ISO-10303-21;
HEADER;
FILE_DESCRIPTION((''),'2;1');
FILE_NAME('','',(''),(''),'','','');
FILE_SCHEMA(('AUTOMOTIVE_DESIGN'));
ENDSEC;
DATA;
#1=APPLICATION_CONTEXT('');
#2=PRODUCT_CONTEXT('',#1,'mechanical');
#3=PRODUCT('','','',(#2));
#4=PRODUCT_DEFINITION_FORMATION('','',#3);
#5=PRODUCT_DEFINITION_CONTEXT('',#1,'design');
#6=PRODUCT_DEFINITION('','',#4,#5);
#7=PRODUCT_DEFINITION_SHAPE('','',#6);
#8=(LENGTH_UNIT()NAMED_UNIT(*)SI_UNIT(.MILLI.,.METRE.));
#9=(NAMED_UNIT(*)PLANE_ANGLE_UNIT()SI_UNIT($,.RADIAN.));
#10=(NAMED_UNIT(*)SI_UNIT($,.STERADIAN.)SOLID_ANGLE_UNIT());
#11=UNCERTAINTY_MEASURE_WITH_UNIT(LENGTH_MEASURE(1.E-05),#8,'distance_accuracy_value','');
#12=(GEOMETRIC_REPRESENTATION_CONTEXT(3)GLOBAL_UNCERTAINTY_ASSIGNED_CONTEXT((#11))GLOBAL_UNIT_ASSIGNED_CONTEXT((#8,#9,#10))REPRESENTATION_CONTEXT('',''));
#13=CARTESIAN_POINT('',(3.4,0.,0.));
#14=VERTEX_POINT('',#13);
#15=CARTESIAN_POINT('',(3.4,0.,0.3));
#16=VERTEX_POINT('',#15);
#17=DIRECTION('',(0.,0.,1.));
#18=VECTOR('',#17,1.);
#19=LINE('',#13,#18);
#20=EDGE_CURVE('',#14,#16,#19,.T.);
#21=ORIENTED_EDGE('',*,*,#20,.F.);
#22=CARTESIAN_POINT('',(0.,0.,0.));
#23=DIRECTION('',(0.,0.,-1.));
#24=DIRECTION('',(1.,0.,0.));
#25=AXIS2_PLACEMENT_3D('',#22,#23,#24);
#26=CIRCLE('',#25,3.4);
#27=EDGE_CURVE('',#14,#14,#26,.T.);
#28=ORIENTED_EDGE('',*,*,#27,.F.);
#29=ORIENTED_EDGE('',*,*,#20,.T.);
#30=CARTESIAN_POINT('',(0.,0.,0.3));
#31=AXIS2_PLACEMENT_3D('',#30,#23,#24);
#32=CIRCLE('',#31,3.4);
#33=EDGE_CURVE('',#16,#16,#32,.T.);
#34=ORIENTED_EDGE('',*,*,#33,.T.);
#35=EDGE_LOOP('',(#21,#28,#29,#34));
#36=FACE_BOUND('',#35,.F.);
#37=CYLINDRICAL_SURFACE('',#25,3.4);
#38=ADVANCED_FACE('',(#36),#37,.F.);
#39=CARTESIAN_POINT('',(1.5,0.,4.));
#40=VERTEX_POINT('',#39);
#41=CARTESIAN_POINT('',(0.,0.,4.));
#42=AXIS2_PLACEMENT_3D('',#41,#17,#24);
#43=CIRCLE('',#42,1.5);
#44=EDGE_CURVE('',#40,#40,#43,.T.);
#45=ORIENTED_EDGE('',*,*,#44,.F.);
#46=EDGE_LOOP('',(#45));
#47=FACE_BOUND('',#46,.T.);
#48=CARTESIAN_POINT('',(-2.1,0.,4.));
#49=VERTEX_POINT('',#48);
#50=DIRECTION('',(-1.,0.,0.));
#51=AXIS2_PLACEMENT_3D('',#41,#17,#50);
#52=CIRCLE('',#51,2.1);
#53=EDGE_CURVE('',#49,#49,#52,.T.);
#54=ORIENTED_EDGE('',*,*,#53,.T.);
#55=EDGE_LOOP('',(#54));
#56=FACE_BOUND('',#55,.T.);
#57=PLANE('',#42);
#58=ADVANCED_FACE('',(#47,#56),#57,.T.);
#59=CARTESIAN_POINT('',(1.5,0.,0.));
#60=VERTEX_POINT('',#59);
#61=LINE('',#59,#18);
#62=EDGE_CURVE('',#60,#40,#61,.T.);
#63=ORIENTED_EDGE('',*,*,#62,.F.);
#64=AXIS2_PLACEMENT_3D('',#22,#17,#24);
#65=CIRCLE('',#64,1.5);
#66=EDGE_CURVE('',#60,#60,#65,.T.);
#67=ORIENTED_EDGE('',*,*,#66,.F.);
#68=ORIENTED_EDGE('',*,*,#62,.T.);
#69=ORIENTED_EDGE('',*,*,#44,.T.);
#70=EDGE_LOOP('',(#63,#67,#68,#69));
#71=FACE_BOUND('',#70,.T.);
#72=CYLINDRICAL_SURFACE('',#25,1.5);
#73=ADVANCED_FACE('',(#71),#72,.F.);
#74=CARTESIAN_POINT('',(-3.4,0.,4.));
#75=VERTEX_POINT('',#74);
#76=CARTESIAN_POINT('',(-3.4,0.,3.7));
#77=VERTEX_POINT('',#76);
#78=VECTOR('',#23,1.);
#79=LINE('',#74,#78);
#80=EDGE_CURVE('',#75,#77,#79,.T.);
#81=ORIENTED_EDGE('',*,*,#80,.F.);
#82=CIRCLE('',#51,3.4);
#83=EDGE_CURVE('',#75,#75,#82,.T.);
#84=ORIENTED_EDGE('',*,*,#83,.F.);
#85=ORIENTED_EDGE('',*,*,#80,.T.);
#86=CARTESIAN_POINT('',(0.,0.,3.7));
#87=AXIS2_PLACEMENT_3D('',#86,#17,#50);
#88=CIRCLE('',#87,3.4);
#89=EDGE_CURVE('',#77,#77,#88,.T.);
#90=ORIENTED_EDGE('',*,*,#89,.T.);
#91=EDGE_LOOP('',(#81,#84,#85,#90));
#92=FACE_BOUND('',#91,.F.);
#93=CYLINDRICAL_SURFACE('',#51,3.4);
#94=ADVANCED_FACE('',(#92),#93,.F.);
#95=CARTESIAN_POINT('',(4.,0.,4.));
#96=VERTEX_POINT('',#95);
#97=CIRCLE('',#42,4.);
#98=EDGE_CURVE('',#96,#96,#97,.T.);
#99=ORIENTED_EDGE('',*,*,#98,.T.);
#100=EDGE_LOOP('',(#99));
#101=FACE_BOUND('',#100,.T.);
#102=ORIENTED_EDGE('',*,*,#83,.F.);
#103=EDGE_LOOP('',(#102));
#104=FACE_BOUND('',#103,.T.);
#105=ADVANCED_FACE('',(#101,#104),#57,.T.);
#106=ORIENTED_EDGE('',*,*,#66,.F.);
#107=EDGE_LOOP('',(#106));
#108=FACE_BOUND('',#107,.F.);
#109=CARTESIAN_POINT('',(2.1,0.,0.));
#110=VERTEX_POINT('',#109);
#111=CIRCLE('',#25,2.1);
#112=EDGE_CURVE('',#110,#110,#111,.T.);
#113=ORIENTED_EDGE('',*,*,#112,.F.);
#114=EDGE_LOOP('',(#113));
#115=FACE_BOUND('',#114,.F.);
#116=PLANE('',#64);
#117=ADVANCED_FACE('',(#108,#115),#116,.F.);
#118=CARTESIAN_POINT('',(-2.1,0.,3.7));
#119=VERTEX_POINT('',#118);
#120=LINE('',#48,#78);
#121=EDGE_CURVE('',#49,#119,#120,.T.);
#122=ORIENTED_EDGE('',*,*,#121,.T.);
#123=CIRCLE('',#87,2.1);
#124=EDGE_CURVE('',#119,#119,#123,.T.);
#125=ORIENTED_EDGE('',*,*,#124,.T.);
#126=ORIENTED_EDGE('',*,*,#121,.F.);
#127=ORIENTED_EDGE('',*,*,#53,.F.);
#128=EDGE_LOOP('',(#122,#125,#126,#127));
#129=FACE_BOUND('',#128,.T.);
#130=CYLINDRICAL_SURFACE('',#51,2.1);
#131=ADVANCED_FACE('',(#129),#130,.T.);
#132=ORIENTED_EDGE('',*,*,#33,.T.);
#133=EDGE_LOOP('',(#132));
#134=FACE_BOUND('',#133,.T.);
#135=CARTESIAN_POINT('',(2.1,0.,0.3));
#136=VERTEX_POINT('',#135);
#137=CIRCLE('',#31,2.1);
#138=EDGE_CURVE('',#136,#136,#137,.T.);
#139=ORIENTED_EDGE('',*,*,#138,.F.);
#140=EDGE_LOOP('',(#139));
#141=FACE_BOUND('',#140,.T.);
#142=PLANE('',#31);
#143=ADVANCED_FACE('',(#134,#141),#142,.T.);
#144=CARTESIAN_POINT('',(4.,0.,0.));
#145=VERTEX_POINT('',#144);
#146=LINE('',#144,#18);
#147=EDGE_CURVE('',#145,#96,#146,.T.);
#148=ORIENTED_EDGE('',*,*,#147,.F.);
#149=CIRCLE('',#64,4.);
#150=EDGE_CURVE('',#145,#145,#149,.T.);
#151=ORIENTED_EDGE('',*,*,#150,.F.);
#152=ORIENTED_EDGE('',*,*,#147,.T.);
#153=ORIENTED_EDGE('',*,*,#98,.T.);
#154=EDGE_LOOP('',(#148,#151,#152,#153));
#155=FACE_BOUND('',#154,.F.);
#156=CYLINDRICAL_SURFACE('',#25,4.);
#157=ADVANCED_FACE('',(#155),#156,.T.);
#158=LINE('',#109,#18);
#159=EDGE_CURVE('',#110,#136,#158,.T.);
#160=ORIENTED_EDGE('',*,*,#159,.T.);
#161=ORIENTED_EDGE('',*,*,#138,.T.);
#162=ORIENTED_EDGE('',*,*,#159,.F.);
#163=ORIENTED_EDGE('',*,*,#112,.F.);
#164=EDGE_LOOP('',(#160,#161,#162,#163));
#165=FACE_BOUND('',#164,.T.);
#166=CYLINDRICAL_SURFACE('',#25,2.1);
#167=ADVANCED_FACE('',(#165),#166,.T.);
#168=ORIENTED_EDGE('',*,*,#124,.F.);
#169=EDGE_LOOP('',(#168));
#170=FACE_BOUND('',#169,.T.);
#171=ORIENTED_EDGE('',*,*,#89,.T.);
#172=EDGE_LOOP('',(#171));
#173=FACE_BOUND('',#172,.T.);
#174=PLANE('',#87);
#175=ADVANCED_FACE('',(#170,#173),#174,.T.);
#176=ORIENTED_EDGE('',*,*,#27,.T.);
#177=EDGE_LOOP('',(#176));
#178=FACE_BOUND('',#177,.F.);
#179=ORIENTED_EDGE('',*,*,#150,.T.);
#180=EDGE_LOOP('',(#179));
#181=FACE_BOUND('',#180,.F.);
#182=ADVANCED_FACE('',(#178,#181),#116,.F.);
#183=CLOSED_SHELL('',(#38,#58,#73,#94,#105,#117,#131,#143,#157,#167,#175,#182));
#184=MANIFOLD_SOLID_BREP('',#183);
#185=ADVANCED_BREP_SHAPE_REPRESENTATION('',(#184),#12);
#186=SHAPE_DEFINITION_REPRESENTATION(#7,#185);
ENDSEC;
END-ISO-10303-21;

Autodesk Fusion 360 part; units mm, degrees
sketch "Sketch1" plane through (0, 0, 0) normal (0, 0, 1) x (1, 0, 0)
  circle A0 centre (0, 0) radius 4
  circle A1 centre (0, 0) radius 1.5
  dimension "d1" = 8
  dimension "d2" = 3
extrude "Extrude1" add sketch "Sketch1" along normal blind 4
sketch "Sketch2" plane through (0, 0, 4) normal (0, 0, 1) x (-1, 0, 0)
  circle A0 centre (0, 0) radius 1.5
  circle A1 centre (0, 0) radius 4
  circle A2 centre (0, 0) radius 3.4
  circle A3 centre (0, 0) radius 2.1
  dimension "d5" = -0.6
  dimension "d6" = 0.6
extrude "Extrude2" cut sketch "Sketch2" against normal blind 0.3 contours A2
sketch "Sketch3" plane through (0, 0, 0) normal (0, 0, -1) x (1, 0, 0)
  circle A0 centre (0, 0) radius 1.5
  circle A1 centre (0, 0) radius 4
  circle A2 centre (0, 0) radius 3.4
  circle A3 centre (0, 0) radius 2.1
  dimension "d9" = -0.6
  dimension "d10" = 0.6
extrude "Extrude3" cut sketch "Sketch3" against normal blind 0.3 contours A2
